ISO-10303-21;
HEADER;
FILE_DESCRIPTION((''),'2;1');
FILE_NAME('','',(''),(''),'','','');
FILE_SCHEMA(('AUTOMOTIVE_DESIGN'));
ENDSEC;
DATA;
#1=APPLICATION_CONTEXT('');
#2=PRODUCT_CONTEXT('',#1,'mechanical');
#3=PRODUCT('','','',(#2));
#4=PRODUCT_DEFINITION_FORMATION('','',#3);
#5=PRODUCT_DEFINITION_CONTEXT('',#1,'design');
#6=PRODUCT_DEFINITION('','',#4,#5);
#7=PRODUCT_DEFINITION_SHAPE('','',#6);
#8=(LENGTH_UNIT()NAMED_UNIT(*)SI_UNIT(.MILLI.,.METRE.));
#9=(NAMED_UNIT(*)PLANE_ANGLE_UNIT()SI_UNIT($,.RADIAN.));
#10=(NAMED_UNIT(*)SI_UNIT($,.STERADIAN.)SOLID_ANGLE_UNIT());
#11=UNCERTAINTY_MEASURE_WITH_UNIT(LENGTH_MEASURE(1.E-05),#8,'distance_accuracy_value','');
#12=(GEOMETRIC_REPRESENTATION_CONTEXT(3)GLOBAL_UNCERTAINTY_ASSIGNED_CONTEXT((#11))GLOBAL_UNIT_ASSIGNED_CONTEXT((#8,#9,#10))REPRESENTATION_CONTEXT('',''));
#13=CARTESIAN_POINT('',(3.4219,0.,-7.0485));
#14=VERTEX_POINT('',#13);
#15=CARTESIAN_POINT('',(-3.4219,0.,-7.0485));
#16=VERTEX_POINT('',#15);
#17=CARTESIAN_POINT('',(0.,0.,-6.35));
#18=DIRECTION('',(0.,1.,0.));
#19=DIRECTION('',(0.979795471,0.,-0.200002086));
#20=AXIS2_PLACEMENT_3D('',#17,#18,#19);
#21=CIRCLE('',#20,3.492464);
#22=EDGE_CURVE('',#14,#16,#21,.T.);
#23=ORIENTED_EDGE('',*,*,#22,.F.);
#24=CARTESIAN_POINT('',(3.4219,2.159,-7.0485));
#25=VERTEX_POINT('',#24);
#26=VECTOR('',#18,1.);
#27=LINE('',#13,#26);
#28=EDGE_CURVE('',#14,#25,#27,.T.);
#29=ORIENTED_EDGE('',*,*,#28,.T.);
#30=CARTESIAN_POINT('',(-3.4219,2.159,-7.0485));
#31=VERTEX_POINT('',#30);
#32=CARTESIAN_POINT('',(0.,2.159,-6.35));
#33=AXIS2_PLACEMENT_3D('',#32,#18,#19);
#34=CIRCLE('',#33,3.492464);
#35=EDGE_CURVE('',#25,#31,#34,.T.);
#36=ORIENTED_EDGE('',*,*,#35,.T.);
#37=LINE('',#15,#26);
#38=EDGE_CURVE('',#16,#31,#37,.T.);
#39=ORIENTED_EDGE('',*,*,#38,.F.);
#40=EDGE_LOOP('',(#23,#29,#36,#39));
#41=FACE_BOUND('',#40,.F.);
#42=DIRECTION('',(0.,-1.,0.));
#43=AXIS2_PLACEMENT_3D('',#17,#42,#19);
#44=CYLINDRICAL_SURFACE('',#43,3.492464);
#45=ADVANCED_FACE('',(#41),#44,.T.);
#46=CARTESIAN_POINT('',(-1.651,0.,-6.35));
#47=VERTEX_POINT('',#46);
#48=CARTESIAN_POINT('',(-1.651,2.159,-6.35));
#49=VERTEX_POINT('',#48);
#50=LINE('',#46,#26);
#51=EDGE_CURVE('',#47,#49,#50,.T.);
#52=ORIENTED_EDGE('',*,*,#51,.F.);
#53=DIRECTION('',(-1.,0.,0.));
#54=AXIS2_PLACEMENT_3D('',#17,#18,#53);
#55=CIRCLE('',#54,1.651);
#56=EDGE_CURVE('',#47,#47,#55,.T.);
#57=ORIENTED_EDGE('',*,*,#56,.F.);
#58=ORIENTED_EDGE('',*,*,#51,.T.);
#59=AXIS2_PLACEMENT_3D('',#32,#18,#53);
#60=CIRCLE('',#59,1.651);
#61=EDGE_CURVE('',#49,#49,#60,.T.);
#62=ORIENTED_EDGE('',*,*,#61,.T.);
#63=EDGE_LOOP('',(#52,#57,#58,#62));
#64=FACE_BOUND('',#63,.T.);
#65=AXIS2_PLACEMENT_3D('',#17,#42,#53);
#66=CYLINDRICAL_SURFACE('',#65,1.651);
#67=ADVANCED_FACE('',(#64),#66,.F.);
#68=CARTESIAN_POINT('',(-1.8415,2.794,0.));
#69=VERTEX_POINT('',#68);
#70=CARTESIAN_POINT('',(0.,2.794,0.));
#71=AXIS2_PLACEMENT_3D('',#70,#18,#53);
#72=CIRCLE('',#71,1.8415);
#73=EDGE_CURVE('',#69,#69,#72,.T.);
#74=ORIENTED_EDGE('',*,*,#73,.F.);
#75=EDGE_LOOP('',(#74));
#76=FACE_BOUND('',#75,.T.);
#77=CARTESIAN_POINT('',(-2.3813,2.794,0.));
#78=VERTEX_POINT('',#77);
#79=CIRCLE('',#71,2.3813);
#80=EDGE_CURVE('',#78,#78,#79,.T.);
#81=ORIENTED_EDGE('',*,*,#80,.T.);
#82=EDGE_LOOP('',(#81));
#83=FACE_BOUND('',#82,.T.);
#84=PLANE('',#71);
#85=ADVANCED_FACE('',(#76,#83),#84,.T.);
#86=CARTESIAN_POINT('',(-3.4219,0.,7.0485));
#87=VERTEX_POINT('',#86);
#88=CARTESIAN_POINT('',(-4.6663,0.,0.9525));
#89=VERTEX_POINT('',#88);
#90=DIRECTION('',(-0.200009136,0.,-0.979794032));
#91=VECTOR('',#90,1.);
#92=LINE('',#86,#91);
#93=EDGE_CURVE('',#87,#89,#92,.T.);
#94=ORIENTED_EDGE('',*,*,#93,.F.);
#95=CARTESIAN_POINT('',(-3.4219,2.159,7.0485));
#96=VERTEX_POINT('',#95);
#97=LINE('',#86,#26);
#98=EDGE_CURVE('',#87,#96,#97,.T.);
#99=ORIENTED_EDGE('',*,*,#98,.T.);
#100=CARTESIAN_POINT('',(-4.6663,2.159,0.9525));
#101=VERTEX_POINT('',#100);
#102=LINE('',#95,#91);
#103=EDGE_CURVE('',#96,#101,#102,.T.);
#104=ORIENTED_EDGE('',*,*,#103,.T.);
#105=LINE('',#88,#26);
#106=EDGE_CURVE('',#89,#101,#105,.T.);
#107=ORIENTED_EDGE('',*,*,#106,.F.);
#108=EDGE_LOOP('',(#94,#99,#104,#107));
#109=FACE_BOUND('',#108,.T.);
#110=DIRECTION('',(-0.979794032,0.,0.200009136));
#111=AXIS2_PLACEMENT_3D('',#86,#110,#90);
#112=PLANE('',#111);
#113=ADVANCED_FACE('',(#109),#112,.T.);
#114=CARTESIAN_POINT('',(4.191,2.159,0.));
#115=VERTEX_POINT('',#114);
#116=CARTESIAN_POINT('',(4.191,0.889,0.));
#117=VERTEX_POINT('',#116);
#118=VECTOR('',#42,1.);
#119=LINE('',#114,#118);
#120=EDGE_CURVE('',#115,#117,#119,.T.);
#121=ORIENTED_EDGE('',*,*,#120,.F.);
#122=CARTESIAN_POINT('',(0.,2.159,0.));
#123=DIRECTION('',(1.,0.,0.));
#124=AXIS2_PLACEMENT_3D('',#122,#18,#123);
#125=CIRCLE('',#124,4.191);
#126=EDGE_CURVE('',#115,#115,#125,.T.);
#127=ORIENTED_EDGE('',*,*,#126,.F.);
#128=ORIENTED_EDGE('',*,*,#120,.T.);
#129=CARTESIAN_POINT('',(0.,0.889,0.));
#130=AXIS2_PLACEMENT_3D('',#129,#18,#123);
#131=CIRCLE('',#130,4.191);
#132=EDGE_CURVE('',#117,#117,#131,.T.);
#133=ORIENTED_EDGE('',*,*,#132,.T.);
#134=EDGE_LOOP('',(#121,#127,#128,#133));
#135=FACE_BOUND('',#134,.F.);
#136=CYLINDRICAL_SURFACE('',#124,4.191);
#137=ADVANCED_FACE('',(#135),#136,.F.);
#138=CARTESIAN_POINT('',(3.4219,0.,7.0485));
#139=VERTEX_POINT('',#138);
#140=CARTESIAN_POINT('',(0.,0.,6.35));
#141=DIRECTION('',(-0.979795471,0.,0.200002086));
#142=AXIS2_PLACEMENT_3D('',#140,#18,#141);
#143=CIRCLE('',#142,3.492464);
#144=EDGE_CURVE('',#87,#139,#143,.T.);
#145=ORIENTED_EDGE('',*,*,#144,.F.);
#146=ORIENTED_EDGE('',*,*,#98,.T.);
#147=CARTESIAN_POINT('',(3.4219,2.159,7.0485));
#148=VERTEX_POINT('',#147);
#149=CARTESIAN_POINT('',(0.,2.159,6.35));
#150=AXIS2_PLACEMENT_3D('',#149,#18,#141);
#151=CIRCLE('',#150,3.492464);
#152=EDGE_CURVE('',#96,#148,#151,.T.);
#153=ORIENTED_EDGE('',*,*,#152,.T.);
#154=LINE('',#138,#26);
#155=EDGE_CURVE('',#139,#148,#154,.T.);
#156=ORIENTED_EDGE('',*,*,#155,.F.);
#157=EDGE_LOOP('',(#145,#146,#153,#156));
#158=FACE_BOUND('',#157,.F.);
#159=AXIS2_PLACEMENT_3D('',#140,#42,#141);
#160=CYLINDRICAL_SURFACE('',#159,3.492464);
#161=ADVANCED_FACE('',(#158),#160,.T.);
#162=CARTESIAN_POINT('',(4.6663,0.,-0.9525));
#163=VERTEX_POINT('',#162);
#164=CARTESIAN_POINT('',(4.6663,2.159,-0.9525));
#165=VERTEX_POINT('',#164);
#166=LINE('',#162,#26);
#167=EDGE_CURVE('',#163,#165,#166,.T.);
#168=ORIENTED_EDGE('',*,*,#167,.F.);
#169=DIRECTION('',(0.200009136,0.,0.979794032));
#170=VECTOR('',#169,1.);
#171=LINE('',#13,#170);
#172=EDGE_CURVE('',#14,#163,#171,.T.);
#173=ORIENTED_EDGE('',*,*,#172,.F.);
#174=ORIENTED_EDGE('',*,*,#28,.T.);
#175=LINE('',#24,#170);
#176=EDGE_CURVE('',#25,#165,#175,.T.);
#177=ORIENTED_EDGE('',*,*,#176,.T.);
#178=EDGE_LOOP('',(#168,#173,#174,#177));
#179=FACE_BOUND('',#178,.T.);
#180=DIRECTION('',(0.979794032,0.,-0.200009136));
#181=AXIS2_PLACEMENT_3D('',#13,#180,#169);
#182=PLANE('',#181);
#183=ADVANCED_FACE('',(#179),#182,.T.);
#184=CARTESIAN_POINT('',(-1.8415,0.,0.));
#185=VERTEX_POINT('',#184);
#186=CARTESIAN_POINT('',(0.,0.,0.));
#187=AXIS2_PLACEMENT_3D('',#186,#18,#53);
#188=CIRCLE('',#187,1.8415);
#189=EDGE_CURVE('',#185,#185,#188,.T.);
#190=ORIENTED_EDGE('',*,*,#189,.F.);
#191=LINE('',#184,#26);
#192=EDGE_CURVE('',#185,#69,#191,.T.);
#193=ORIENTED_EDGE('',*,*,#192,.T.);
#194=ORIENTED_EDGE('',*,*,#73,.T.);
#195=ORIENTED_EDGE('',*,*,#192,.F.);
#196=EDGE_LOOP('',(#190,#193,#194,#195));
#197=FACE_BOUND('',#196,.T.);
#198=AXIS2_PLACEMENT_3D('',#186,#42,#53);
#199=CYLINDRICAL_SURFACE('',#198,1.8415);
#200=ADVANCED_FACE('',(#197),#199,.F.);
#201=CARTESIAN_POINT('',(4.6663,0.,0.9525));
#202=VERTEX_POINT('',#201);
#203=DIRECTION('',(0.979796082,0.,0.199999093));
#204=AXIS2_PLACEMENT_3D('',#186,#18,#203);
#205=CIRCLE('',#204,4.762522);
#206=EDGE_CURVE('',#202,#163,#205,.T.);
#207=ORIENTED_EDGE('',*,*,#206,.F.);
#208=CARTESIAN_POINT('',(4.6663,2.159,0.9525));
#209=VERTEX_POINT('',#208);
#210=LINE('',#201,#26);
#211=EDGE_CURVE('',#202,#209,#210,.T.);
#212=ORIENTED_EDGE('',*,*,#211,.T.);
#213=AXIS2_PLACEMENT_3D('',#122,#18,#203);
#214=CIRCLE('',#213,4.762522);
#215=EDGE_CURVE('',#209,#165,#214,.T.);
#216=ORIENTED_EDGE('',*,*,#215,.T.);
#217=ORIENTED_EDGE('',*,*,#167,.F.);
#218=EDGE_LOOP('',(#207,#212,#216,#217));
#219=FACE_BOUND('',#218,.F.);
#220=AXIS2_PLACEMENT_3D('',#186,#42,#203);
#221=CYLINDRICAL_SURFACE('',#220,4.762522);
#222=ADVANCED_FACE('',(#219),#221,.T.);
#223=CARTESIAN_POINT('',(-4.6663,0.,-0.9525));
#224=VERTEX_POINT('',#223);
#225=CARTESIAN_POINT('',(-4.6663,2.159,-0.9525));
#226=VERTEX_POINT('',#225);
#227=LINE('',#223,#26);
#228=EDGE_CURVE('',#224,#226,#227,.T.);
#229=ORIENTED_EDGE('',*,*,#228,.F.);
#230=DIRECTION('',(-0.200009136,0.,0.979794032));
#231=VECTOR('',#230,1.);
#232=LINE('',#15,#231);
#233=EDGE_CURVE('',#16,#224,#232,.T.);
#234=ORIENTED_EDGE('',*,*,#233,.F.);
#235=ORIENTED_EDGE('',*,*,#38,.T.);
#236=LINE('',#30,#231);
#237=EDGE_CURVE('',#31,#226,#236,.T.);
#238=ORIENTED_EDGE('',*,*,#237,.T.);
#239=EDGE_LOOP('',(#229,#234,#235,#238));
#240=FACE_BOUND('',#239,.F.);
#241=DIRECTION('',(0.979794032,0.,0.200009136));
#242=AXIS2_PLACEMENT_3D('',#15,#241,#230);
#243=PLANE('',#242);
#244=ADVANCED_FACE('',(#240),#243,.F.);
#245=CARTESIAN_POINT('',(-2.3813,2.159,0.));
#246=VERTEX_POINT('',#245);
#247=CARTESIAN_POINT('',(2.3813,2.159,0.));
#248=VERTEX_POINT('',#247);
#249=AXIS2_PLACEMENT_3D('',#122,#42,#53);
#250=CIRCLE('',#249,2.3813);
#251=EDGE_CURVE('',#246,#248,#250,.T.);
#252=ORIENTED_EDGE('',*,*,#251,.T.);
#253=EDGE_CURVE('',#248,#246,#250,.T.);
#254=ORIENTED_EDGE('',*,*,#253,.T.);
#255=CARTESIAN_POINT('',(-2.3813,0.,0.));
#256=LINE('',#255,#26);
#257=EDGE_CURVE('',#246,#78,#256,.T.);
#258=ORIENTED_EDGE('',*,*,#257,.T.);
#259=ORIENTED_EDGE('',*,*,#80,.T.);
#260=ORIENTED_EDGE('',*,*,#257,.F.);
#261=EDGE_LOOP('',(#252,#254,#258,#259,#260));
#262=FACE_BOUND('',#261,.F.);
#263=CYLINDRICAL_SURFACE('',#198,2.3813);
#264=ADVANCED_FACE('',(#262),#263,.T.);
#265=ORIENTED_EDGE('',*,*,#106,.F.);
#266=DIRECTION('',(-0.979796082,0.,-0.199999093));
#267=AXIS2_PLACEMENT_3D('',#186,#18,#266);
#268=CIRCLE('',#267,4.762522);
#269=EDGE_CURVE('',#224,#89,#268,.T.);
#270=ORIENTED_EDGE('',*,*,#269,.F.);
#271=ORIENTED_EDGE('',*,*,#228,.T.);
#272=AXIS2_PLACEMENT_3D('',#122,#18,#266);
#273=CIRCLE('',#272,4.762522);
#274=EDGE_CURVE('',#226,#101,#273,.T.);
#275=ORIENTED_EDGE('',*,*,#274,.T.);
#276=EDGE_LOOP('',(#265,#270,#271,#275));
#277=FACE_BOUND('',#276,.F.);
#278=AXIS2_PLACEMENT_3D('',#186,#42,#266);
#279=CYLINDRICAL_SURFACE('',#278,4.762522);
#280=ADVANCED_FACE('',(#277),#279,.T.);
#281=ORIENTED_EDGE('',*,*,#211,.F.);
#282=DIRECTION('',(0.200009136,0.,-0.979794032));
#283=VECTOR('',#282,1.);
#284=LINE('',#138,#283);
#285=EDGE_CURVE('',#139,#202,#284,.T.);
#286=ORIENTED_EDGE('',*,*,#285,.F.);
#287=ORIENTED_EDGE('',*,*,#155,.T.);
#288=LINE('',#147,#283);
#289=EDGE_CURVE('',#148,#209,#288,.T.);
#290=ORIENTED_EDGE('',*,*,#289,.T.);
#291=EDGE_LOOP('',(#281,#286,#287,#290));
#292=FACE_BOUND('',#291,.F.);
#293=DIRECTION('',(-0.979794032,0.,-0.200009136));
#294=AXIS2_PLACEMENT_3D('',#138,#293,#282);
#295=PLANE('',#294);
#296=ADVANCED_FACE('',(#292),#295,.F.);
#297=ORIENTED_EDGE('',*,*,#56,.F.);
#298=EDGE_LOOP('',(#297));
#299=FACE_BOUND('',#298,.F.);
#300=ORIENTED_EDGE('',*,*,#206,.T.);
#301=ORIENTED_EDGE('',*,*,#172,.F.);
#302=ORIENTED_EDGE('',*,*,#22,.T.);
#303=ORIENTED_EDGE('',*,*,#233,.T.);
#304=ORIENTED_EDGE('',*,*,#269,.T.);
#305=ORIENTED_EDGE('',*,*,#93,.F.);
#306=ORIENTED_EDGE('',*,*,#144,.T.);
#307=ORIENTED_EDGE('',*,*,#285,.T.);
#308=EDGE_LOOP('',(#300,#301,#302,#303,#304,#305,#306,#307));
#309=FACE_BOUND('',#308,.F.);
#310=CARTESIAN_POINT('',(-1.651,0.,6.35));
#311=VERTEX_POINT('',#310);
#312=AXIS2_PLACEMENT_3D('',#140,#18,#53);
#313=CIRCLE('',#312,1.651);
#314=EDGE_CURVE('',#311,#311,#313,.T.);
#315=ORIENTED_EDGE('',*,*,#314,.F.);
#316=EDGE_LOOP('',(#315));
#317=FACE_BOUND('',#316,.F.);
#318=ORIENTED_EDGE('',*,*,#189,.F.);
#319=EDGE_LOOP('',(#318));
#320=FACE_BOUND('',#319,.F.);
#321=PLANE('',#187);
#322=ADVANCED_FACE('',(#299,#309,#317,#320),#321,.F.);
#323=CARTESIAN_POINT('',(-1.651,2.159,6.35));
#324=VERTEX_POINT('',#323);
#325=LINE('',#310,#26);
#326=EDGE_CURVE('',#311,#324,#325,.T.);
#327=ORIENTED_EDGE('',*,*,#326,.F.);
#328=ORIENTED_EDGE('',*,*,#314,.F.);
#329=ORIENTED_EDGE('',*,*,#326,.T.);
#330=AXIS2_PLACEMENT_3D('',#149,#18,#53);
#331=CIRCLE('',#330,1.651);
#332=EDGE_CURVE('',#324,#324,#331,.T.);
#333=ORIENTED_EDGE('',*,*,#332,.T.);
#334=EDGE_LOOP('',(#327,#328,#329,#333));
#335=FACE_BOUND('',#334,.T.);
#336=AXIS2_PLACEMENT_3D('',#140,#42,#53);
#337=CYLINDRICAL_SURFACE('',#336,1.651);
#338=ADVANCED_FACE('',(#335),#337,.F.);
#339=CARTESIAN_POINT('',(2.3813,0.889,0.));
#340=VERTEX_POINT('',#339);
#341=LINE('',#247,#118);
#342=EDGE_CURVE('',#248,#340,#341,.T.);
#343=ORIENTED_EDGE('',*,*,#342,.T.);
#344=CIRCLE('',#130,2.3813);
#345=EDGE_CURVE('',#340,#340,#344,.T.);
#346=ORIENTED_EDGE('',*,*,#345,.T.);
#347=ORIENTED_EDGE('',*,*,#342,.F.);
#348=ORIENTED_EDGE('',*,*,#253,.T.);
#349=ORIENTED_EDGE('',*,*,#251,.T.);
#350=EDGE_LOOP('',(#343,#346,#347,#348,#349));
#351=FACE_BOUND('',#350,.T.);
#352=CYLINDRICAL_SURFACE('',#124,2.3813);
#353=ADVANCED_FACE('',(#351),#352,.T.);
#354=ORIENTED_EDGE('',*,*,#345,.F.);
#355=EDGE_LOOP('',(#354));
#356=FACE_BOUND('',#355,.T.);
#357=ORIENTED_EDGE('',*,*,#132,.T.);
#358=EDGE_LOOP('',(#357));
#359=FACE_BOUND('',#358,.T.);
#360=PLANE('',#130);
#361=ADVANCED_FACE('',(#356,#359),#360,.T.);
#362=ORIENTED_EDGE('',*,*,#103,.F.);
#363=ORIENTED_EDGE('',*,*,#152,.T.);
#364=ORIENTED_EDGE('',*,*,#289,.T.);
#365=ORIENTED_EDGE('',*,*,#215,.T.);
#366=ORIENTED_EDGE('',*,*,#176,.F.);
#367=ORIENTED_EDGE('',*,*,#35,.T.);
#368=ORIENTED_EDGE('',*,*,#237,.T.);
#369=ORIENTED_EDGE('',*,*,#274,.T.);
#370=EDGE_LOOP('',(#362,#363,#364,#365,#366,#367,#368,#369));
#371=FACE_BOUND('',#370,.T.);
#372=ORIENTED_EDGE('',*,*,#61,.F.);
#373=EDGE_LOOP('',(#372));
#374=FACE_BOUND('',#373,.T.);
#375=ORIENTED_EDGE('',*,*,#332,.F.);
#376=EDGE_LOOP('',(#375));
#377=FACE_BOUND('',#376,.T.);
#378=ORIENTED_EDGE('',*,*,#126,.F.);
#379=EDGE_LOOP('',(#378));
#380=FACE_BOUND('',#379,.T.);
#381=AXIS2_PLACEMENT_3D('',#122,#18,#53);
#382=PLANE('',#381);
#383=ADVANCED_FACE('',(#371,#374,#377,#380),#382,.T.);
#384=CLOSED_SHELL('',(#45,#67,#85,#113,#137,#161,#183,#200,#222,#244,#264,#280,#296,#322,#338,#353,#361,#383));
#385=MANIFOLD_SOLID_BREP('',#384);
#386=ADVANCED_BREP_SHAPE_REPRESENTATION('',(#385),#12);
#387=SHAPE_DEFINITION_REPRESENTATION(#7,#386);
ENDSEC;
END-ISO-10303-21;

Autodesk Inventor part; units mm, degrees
ref_plane "YZ Plane" through (0, 0, 0) normal (1, 0, 0) x (0, 1, 0)
ref_plane "XZ Plane" through (0, 0, 0) normal (0, 1, 0) x (-1, 0, 0)
ref_plane "XY Plane" through (0, 0, 0) normal (0, 0, 1) x (1, 0, 0)
sketch "Sketch1" plane through (0, 0, 0) normal (0, 1, 0) x (-1, 0, 0)
  circle A0 centre (0, 0) radius 1.8415
  circle A1 centre (0, 0) radius 2.3813
  circle A2 centre (0, -6.35) radius 1.651
  circle A3 centre (0, 6.35) radius 1.651
  arc A4 (3.4219, 7.0485) -> (-3.4219, 7.0485) centre (0, 6.35) ccw
  arc A5 (-3.4219, -7.0485) -> (3.4219, -7.0485) centre (0, -6.35) ccw
  line L0 (3.4219, 7.0485) -> (4.6663, 0.9525)
  line L1 (-3.4219, 7.0485) -> (-4.6663, 0.9525)
  line L2 (3.4219, -7.0485) -> (4.6663, -0.9525)
  line L3 (-3.4219, -7.0485) -> (-4.6663, -0.9525)
  arc A6 (4.6663, -0.9525) -> (4.6663, 0.9525) centre (0, 0) ccw
  arc A7 (-4.6663, 0.9525) -> (-4.6663, -0.9525) centre (0, 0) ccw
  dimension "d0" = 3.683
  dimension "d1" = 4.7625
  dimension "d3" = 3.302
  dimension "d4" = 3.302
  dimension "d5" = 6.985
  dimension "d6" = 6.985
  dimension "d7" = 6.35
  dimension "d8" = 6.35
  dimension "d9" = 4.7625
extrude "Extrusion1" add sketch "Sketch1" along normal blind 2.159 contours A1 | L0 A6 L2 A5 L3 A7 L1 A4
extrude "Extrusion2" add sketch "Sketch1" along normal blind 2.794 contours A1
sketch "Sketch3" plane through (0, 2.159, 0) normal (0, 1, 0) x (1, 0, 0)
  circle A0 centre (0, 0) radius 4.191
  circle A1 centre (0, 0) radius 2.3813 projected
  dimension "d14" = 8.382
extrude "Extrusion3" cut sketch "Sketch3" against normal blind 1.27
equation "\"d8\" = d7"
properties part number "tetherSeal"
